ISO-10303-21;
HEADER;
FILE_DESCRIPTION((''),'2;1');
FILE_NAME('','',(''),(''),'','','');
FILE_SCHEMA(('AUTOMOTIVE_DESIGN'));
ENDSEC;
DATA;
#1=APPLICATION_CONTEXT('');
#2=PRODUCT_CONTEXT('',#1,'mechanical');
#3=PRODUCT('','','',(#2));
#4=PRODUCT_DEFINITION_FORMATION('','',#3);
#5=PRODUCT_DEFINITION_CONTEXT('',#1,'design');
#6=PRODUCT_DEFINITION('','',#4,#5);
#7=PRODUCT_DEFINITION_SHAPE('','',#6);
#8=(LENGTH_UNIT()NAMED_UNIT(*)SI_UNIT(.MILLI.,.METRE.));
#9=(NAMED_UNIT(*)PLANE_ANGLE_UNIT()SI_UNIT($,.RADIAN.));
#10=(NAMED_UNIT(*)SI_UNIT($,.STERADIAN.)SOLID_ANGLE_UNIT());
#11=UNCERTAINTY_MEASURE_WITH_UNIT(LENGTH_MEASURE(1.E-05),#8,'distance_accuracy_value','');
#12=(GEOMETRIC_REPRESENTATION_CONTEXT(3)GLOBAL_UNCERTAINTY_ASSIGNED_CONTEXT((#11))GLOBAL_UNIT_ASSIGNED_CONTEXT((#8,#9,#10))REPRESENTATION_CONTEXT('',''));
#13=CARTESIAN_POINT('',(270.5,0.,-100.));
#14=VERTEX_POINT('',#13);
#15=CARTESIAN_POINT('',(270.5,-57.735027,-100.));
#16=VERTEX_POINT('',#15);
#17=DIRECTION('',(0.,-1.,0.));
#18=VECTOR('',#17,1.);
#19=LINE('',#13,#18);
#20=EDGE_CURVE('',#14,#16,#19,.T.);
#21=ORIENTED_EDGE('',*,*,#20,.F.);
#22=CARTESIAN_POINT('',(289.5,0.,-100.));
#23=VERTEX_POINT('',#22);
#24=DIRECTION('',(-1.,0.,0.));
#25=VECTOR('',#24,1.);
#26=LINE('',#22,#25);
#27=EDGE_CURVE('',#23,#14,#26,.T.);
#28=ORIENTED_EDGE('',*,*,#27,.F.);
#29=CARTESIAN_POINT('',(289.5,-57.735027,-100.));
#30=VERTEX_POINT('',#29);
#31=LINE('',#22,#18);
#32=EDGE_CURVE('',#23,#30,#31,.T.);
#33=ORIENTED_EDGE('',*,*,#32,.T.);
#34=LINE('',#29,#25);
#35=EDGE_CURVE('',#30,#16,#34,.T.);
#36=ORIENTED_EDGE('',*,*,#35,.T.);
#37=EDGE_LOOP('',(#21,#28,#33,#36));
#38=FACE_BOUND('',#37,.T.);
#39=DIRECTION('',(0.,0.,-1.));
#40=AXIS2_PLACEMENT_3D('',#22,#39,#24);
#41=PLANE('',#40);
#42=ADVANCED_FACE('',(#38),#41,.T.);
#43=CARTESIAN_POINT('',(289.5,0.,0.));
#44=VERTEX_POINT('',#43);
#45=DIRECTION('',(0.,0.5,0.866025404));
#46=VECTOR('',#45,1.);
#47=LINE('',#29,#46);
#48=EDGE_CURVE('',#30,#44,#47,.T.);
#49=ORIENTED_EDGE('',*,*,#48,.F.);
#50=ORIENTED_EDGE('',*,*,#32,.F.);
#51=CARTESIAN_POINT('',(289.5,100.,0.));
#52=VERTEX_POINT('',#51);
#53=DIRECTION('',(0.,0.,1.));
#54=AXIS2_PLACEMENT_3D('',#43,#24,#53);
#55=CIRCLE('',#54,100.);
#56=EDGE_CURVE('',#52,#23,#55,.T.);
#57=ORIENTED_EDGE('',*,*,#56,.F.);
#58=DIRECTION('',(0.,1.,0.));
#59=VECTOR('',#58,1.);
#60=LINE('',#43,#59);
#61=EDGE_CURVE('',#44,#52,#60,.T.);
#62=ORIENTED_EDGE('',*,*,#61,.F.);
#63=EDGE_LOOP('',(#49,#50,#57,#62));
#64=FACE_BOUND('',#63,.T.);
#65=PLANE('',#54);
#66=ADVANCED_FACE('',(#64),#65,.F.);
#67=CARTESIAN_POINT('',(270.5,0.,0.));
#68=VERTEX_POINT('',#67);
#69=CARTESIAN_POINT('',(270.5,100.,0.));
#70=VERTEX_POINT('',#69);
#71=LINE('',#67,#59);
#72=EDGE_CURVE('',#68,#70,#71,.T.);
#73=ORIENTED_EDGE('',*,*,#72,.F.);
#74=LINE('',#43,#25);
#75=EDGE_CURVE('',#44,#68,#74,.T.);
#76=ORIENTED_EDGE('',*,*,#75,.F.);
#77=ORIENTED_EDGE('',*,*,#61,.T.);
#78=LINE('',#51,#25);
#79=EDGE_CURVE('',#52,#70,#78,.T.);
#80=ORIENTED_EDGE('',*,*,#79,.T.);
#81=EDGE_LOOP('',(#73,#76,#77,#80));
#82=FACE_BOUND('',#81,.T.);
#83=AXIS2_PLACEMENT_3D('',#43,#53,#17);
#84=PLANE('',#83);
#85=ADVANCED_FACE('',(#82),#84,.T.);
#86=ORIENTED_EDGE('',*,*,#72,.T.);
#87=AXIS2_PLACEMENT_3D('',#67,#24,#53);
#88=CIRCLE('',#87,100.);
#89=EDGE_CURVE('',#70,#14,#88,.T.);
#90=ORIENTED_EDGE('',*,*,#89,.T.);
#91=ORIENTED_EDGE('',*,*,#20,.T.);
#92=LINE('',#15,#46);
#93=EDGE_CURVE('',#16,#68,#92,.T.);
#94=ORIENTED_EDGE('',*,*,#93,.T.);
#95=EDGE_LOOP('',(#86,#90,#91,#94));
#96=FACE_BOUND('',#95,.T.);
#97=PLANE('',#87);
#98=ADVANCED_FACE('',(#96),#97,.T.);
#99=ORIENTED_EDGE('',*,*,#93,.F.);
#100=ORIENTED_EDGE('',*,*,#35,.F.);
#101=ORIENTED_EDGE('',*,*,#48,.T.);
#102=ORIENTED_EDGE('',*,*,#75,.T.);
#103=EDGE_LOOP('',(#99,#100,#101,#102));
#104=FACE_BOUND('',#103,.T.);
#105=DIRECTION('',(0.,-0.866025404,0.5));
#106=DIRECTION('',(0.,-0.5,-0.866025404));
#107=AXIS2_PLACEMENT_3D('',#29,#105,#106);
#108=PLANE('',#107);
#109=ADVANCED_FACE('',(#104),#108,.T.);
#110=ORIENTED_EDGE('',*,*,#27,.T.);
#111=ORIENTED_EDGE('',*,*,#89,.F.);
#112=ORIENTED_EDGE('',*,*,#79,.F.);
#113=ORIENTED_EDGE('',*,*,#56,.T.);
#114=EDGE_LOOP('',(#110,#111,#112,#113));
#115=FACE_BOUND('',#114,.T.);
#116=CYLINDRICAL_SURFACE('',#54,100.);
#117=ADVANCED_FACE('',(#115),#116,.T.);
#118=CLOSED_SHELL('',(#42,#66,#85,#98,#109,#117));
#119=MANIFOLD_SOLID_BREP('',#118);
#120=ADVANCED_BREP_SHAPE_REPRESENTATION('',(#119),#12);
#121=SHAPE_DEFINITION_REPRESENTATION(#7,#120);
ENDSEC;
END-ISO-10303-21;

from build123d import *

# Parameters (mm, degrees)
BOSS_EXTRUDE1_DEPTH = 19


with BuildPart() as part:
    # Sketch1 → Boss-Extrude1 (new body)
    with BuildSketch(Plane(origin=(270.5, 0, 0), x_dir=(0, -1, 0), z_dir=(-1, 0, 0))):
        with BuildLine():
            Line((0, -100), (57.735026919, -100))
            Line((57.735026919, -100), (0, 0))
            Line((0, 0), (-100, 0))
            ThreePointArc((-100, 0), (-70.710678119, -70.710678119), (0, -100))
        make_face()
    extrude(amount=-BOSS_EXTRUDE1_DEPTH)


solid = part.part
